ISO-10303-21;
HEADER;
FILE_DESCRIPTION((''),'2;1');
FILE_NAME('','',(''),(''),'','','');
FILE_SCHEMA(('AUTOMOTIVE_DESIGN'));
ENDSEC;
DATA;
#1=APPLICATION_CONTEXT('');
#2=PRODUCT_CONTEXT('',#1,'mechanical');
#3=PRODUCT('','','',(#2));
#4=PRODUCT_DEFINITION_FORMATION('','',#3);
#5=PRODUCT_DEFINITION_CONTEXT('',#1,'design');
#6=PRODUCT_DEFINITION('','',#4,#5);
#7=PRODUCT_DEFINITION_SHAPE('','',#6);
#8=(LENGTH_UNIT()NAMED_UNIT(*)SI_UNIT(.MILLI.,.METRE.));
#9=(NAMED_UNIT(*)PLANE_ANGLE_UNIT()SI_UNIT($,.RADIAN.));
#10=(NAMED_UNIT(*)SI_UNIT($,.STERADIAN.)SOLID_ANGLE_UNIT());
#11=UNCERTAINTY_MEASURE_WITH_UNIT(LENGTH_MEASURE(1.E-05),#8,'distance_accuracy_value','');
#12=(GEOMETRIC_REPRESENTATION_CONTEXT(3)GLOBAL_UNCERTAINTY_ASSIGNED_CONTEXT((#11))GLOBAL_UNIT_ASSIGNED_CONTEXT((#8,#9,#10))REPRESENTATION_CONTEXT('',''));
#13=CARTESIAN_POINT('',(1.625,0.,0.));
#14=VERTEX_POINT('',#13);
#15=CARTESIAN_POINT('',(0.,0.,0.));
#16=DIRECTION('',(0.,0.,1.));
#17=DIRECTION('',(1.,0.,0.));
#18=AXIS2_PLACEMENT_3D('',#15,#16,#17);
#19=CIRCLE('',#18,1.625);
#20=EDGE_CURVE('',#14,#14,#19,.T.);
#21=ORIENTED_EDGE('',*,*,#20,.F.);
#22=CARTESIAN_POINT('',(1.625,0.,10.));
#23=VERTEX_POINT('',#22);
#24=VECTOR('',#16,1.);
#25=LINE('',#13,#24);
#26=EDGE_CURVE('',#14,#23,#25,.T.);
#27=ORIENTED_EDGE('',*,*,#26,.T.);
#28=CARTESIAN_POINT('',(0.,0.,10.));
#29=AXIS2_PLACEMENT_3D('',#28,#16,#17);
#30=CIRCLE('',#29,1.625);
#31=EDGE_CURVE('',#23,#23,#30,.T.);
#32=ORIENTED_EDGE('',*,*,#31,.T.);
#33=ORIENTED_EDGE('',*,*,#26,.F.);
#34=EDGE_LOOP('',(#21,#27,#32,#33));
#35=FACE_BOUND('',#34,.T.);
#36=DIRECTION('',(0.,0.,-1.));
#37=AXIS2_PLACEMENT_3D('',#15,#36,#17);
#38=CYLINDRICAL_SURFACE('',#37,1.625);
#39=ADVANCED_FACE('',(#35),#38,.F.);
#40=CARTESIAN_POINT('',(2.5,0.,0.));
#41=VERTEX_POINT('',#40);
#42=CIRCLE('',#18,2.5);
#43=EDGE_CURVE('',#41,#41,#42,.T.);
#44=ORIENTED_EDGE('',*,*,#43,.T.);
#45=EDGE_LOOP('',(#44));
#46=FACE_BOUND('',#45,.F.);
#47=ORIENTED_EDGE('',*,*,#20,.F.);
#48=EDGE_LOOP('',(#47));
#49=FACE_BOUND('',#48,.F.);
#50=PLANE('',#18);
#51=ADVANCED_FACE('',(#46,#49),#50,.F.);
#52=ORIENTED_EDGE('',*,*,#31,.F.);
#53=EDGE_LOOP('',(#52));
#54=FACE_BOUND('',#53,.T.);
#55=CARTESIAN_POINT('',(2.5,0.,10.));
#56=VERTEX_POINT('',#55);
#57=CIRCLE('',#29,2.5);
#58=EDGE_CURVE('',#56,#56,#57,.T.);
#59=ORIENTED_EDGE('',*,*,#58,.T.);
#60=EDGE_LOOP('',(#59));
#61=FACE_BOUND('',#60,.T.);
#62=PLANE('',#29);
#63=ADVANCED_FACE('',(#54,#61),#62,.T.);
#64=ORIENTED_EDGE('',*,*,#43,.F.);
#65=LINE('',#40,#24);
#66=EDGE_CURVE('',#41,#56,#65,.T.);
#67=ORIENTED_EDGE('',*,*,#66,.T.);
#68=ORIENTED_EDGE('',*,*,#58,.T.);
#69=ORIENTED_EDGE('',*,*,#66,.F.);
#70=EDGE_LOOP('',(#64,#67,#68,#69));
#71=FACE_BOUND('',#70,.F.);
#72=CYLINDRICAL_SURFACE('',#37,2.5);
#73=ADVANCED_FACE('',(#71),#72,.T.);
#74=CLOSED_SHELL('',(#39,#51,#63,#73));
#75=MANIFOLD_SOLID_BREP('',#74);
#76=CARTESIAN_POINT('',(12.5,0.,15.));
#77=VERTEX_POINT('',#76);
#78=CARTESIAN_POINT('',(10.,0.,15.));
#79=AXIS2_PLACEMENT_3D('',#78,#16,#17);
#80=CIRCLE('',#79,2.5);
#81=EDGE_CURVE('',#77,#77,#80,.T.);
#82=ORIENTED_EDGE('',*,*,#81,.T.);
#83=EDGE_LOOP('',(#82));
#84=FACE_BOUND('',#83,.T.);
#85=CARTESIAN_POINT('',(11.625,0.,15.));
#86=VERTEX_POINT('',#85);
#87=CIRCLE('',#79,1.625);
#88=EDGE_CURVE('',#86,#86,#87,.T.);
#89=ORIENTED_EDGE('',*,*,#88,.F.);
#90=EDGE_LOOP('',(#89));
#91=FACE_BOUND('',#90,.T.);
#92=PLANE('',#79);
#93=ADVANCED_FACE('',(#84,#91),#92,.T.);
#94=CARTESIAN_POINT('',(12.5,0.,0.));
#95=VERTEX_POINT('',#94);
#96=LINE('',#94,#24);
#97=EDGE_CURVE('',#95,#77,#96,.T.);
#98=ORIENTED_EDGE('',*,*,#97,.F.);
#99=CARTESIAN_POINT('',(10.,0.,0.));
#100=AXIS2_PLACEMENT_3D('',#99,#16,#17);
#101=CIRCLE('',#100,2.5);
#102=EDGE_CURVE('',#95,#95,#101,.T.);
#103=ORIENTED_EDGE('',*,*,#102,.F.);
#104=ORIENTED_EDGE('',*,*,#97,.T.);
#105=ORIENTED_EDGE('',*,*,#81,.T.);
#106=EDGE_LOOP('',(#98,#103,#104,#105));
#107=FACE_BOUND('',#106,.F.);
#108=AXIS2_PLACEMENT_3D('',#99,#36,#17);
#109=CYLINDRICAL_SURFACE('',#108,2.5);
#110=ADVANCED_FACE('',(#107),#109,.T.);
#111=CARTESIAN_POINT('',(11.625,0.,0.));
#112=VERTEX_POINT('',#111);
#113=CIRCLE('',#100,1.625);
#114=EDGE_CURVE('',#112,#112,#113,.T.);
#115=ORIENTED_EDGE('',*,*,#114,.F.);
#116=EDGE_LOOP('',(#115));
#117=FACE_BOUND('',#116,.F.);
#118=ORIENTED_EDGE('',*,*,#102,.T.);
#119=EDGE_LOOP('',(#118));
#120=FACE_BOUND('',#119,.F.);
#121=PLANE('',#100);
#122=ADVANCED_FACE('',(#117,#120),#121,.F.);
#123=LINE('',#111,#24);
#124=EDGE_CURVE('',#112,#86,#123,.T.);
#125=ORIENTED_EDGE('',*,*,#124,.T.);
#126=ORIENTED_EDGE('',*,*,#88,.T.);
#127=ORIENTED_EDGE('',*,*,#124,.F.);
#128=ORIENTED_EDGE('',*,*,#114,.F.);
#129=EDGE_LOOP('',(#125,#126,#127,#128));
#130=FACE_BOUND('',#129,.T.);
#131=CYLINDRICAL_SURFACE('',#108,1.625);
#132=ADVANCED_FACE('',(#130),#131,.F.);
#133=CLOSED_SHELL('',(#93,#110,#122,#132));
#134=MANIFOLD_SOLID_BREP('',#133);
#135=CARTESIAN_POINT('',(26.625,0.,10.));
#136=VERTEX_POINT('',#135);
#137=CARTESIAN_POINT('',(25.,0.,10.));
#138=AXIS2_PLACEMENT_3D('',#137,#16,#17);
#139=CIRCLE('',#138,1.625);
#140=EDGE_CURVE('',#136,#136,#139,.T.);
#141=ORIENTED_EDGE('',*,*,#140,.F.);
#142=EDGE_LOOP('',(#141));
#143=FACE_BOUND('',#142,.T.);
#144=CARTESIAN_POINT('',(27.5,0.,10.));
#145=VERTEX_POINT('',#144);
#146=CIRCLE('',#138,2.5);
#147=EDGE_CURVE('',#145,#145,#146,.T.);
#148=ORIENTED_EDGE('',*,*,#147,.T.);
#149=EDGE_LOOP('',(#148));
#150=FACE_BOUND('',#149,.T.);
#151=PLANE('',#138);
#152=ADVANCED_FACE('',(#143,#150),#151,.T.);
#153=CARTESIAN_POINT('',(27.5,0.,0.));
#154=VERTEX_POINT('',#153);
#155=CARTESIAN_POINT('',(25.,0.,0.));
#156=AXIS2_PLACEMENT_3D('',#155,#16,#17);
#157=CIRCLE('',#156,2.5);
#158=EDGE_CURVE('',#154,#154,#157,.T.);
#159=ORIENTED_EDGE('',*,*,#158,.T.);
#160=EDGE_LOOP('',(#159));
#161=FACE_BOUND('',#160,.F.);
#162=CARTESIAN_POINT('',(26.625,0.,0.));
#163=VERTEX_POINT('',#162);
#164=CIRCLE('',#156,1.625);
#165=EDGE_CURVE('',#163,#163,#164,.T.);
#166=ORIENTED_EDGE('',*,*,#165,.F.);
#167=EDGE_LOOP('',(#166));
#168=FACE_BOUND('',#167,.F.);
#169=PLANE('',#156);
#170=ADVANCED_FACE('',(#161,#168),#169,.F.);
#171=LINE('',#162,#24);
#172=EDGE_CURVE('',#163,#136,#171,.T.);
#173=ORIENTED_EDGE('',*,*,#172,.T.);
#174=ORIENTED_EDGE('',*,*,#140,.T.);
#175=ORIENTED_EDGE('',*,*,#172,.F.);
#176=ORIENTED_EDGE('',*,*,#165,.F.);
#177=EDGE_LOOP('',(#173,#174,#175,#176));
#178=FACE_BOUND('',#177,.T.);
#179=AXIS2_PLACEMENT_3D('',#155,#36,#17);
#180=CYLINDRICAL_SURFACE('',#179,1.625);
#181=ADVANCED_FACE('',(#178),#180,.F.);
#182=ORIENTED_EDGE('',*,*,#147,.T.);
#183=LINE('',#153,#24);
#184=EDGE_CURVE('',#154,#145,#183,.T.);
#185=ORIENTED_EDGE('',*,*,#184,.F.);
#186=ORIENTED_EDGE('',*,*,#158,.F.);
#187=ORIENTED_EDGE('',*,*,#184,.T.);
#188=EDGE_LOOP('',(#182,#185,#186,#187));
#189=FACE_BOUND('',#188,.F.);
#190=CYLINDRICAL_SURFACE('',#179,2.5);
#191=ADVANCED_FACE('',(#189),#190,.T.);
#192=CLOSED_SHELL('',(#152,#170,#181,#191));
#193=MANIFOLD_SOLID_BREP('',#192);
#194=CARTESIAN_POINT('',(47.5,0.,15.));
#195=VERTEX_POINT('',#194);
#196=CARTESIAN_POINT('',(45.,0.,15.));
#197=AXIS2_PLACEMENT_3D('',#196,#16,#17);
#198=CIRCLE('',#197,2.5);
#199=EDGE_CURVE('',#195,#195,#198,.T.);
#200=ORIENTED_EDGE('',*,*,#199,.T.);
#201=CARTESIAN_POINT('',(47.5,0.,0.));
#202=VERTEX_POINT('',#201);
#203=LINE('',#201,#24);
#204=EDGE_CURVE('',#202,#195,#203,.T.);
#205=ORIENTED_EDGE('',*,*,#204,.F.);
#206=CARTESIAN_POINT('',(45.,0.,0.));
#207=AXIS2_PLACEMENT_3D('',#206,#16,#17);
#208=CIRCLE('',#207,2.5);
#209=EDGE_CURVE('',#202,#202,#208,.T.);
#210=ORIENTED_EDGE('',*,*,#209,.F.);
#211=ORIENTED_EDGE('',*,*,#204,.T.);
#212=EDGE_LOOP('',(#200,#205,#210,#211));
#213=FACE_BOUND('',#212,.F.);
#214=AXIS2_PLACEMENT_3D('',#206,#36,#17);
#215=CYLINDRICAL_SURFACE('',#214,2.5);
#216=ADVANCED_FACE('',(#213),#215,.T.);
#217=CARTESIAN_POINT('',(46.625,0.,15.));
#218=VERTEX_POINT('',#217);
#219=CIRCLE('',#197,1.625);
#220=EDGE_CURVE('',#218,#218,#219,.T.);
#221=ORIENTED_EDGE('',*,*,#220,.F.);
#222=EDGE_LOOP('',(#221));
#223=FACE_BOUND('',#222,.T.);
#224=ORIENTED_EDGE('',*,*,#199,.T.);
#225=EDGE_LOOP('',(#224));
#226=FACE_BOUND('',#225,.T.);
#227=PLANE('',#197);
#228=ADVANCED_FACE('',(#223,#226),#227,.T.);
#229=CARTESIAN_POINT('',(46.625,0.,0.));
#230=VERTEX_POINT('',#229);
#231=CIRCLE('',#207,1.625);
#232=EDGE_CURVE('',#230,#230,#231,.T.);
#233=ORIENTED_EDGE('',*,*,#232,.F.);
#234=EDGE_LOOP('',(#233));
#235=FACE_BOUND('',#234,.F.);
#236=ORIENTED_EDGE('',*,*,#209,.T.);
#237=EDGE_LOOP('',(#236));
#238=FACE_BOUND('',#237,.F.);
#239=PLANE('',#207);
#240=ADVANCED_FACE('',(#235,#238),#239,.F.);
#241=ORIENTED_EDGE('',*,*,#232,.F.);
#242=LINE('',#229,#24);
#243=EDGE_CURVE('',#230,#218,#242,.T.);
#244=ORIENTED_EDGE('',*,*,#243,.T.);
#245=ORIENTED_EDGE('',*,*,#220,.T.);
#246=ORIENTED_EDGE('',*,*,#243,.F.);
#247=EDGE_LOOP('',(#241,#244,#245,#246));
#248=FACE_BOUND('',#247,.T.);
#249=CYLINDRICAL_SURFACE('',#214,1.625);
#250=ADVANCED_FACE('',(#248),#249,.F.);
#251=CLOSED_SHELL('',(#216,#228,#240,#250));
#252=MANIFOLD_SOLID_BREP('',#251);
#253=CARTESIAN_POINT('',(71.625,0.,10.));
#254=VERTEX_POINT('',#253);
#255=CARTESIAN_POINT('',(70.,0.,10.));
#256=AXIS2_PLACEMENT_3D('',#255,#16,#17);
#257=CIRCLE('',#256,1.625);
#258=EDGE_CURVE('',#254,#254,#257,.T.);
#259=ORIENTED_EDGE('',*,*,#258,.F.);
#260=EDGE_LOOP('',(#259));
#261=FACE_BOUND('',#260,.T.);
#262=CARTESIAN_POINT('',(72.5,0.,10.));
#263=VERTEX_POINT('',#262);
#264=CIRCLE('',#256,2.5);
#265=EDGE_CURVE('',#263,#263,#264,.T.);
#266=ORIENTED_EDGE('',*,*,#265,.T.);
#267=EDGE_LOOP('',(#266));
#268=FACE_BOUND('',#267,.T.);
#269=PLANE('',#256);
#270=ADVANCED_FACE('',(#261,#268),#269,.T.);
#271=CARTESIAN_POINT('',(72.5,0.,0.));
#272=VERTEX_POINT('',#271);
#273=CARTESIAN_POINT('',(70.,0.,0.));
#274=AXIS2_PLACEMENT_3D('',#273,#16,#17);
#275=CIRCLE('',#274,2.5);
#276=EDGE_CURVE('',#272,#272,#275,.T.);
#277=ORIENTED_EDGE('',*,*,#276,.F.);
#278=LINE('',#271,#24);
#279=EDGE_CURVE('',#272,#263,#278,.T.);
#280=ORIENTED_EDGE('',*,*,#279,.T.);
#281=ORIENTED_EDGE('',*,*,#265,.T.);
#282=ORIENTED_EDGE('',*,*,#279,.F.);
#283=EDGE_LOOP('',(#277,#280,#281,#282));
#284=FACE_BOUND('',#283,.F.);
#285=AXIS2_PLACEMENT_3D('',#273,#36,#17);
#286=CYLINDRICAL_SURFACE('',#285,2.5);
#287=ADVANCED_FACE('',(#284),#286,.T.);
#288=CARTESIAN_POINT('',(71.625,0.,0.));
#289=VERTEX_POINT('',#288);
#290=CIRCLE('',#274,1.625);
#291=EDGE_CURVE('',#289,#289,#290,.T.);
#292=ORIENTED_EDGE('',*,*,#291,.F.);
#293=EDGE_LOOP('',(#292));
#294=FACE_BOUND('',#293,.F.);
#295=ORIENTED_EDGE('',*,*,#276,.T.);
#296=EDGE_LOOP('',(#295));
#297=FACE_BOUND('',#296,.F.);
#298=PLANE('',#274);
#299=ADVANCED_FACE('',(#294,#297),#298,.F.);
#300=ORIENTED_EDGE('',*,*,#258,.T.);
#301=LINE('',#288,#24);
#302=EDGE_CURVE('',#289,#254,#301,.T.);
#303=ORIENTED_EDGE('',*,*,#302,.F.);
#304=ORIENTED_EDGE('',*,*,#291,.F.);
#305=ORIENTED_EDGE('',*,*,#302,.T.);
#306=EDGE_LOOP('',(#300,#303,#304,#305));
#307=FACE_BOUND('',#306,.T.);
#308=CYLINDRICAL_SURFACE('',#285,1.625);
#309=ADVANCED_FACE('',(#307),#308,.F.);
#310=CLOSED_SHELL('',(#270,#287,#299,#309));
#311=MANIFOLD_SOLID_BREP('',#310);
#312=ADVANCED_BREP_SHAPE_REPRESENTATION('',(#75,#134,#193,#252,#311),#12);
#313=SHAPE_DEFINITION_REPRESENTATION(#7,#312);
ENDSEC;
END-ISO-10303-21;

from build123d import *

# Parameters (mm, degrees)
F0_R     = 2.5
F0_R_2   = 1.625
F1_DEPTH = 10
F2_DEPTH = 15


with BuildPart() as f1:
    # F0 (on Top) → F1 (new body)
    with BuildSketch(Plane.XY):
        Circle(F0_R)
        Circle(F0_R_2, mode=Mode.SUBTRACT)
        with Locations((25, 0)):
            Circle(F0_R)
        with Locations((25, 0)):
            Circle(F0_R_2, mode=Mode.SUBTRACT)
        with Locations((70, 0)):
            Circle(F0_R)
        with Locations((70, 0)):
            Circle(F0_R_2, mode=Mode.SUBTRACT)
    extrude(amount=F1_DEPTH)


with BuildPart() as f2:
    # F0 (on Top) → F2 (new body)
    with BuildSketch(Plane.XY):
        with Locations((10, 0)):
            Circle(F0_R)
        with Locations((10, 0)):
            Circle(F0_R_2, mode=Mode.SUBTRACT)
        with Locations((45, 0)):
            Circle(F0_R)
        with Locations((45, 0)):
            Circle(F0_R_2, mode=Mode.SUBTRACT)
    extrude(amount=F2_DEPTH)


solid = Compound([f1.part, f2.part])
